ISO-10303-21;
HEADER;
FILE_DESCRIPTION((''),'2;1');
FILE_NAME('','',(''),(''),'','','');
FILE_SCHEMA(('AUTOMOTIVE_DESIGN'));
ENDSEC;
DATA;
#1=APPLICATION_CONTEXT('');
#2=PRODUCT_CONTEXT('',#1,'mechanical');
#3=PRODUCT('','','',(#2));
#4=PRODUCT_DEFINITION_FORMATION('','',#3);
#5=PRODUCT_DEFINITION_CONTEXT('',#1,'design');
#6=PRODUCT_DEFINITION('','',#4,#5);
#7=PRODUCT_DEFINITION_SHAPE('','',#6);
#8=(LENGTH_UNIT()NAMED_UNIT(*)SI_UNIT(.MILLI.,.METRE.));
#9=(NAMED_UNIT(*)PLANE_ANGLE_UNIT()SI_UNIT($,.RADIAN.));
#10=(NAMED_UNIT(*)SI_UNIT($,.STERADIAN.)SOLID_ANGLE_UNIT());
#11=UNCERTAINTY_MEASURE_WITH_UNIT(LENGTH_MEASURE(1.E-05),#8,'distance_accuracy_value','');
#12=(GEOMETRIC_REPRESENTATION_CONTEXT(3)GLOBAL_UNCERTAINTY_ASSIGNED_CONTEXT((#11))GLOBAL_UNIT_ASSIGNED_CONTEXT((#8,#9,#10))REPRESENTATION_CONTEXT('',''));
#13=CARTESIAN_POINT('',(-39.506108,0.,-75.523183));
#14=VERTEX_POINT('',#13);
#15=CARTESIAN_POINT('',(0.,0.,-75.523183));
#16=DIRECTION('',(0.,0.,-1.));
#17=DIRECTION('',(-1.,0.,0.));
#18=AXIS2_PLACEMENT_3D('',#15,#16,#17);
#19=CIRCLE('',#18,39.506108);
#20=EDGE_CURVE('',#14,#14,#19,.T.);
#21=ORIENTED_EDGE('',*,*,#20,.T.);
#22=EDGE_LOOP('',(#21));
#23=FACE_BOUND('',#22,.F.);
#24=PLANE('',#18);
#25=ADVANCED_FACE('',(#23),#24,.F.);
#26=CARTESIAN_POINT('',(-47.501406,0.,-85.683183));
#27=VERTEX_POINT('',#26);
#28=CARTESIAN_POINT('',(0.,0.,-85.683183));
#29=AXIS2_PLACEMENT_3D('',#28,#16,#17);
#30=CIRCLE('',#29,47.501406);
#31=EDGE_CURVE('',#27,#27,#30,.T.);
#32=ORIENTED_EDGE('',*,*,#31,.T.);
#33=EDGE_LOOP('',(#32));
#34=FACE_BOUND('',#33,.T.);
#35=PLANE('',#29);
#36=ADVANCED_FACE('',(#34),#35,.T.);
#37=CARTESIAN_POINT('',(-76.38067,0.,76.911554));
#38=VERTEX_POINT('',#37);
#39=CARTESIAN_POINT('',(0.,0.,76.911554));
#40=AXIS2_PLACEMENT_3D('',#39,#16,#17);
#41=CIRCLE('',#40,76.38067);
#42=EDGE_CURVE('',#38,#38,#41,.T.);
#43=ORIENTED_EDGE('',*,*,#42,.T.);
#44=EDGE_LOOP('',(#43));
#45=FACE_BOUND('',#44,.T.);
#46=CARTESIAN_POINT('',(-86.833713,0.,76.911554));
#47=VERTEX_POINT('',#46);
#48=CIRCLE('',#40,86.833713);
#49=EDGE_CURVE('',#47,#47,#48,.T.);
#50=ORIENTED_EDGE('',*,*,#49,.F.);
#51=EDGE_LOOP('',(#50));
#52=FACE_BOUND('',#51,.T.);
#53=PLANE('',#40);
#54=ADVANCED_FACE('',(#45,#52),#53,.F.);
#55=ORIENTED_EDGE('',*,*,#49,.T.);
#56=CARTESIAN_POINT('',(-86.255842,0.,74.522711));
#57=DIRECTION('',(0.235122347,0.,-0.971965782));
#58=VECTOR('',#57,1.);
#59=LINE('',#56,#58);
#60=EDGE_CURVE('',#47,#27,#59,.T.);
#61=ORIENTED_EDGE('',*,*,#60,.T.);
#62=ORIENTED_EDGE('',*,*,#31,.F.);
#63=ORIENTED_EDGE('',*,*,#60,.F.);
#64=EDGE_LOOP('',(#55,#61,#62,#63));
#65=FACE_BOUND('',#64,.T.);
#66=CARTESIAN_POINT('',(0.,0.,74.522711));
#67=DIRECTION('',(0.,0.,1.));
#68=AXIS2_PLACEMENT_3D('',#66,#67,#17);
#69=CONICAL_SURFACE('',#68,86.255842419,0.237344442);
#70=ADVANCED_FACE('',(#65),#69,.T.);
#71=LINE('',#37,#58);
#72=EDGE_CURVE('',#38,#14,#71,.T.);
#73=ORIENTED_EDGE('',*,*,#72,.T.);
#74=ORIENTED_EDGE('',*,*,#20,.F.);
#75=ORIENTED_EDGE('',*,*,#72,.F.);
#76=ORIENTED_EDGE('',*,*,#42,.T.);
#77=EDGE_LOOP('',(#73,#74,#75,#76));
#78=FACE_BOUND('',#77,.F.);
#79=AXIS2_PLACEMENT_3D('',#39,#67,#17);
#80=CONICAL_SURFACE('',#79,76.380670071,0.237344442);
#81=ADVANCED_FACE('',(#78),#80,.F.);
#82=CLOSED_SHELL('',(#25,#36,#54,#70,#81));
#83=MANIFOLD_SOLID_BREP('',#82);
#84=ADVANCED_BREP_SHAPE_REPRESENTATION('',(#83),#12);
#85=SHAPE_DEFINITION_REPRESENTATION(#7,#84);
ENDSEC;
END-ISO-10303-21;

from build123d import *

# Parameters (mm, degrees)
F2_T = 10.16


with BuildPart() as f1:
    # F0 (on Front) → F1 (revolve)
    with BuildSketch(Plane.XZ):
        Polygon((0, 76.9115537405), (-76.3806700706, 76.9115537405), (-39.5061075687, -75.5231827497), (0, -75.5231827497), align=None)
    revolve(axis=Axis((0, 0, 0.6941854954), (0, 0, -1)))

    # F2
    f2_openings = [f1.faces().sort_by_distance(p)[0] for p in [
        (0, 0, 76.911554),
    ]]
    offset(amount=F2_T, openings=f2_openings, kind=Kind.INTERSECTION)


solid = f1.part
